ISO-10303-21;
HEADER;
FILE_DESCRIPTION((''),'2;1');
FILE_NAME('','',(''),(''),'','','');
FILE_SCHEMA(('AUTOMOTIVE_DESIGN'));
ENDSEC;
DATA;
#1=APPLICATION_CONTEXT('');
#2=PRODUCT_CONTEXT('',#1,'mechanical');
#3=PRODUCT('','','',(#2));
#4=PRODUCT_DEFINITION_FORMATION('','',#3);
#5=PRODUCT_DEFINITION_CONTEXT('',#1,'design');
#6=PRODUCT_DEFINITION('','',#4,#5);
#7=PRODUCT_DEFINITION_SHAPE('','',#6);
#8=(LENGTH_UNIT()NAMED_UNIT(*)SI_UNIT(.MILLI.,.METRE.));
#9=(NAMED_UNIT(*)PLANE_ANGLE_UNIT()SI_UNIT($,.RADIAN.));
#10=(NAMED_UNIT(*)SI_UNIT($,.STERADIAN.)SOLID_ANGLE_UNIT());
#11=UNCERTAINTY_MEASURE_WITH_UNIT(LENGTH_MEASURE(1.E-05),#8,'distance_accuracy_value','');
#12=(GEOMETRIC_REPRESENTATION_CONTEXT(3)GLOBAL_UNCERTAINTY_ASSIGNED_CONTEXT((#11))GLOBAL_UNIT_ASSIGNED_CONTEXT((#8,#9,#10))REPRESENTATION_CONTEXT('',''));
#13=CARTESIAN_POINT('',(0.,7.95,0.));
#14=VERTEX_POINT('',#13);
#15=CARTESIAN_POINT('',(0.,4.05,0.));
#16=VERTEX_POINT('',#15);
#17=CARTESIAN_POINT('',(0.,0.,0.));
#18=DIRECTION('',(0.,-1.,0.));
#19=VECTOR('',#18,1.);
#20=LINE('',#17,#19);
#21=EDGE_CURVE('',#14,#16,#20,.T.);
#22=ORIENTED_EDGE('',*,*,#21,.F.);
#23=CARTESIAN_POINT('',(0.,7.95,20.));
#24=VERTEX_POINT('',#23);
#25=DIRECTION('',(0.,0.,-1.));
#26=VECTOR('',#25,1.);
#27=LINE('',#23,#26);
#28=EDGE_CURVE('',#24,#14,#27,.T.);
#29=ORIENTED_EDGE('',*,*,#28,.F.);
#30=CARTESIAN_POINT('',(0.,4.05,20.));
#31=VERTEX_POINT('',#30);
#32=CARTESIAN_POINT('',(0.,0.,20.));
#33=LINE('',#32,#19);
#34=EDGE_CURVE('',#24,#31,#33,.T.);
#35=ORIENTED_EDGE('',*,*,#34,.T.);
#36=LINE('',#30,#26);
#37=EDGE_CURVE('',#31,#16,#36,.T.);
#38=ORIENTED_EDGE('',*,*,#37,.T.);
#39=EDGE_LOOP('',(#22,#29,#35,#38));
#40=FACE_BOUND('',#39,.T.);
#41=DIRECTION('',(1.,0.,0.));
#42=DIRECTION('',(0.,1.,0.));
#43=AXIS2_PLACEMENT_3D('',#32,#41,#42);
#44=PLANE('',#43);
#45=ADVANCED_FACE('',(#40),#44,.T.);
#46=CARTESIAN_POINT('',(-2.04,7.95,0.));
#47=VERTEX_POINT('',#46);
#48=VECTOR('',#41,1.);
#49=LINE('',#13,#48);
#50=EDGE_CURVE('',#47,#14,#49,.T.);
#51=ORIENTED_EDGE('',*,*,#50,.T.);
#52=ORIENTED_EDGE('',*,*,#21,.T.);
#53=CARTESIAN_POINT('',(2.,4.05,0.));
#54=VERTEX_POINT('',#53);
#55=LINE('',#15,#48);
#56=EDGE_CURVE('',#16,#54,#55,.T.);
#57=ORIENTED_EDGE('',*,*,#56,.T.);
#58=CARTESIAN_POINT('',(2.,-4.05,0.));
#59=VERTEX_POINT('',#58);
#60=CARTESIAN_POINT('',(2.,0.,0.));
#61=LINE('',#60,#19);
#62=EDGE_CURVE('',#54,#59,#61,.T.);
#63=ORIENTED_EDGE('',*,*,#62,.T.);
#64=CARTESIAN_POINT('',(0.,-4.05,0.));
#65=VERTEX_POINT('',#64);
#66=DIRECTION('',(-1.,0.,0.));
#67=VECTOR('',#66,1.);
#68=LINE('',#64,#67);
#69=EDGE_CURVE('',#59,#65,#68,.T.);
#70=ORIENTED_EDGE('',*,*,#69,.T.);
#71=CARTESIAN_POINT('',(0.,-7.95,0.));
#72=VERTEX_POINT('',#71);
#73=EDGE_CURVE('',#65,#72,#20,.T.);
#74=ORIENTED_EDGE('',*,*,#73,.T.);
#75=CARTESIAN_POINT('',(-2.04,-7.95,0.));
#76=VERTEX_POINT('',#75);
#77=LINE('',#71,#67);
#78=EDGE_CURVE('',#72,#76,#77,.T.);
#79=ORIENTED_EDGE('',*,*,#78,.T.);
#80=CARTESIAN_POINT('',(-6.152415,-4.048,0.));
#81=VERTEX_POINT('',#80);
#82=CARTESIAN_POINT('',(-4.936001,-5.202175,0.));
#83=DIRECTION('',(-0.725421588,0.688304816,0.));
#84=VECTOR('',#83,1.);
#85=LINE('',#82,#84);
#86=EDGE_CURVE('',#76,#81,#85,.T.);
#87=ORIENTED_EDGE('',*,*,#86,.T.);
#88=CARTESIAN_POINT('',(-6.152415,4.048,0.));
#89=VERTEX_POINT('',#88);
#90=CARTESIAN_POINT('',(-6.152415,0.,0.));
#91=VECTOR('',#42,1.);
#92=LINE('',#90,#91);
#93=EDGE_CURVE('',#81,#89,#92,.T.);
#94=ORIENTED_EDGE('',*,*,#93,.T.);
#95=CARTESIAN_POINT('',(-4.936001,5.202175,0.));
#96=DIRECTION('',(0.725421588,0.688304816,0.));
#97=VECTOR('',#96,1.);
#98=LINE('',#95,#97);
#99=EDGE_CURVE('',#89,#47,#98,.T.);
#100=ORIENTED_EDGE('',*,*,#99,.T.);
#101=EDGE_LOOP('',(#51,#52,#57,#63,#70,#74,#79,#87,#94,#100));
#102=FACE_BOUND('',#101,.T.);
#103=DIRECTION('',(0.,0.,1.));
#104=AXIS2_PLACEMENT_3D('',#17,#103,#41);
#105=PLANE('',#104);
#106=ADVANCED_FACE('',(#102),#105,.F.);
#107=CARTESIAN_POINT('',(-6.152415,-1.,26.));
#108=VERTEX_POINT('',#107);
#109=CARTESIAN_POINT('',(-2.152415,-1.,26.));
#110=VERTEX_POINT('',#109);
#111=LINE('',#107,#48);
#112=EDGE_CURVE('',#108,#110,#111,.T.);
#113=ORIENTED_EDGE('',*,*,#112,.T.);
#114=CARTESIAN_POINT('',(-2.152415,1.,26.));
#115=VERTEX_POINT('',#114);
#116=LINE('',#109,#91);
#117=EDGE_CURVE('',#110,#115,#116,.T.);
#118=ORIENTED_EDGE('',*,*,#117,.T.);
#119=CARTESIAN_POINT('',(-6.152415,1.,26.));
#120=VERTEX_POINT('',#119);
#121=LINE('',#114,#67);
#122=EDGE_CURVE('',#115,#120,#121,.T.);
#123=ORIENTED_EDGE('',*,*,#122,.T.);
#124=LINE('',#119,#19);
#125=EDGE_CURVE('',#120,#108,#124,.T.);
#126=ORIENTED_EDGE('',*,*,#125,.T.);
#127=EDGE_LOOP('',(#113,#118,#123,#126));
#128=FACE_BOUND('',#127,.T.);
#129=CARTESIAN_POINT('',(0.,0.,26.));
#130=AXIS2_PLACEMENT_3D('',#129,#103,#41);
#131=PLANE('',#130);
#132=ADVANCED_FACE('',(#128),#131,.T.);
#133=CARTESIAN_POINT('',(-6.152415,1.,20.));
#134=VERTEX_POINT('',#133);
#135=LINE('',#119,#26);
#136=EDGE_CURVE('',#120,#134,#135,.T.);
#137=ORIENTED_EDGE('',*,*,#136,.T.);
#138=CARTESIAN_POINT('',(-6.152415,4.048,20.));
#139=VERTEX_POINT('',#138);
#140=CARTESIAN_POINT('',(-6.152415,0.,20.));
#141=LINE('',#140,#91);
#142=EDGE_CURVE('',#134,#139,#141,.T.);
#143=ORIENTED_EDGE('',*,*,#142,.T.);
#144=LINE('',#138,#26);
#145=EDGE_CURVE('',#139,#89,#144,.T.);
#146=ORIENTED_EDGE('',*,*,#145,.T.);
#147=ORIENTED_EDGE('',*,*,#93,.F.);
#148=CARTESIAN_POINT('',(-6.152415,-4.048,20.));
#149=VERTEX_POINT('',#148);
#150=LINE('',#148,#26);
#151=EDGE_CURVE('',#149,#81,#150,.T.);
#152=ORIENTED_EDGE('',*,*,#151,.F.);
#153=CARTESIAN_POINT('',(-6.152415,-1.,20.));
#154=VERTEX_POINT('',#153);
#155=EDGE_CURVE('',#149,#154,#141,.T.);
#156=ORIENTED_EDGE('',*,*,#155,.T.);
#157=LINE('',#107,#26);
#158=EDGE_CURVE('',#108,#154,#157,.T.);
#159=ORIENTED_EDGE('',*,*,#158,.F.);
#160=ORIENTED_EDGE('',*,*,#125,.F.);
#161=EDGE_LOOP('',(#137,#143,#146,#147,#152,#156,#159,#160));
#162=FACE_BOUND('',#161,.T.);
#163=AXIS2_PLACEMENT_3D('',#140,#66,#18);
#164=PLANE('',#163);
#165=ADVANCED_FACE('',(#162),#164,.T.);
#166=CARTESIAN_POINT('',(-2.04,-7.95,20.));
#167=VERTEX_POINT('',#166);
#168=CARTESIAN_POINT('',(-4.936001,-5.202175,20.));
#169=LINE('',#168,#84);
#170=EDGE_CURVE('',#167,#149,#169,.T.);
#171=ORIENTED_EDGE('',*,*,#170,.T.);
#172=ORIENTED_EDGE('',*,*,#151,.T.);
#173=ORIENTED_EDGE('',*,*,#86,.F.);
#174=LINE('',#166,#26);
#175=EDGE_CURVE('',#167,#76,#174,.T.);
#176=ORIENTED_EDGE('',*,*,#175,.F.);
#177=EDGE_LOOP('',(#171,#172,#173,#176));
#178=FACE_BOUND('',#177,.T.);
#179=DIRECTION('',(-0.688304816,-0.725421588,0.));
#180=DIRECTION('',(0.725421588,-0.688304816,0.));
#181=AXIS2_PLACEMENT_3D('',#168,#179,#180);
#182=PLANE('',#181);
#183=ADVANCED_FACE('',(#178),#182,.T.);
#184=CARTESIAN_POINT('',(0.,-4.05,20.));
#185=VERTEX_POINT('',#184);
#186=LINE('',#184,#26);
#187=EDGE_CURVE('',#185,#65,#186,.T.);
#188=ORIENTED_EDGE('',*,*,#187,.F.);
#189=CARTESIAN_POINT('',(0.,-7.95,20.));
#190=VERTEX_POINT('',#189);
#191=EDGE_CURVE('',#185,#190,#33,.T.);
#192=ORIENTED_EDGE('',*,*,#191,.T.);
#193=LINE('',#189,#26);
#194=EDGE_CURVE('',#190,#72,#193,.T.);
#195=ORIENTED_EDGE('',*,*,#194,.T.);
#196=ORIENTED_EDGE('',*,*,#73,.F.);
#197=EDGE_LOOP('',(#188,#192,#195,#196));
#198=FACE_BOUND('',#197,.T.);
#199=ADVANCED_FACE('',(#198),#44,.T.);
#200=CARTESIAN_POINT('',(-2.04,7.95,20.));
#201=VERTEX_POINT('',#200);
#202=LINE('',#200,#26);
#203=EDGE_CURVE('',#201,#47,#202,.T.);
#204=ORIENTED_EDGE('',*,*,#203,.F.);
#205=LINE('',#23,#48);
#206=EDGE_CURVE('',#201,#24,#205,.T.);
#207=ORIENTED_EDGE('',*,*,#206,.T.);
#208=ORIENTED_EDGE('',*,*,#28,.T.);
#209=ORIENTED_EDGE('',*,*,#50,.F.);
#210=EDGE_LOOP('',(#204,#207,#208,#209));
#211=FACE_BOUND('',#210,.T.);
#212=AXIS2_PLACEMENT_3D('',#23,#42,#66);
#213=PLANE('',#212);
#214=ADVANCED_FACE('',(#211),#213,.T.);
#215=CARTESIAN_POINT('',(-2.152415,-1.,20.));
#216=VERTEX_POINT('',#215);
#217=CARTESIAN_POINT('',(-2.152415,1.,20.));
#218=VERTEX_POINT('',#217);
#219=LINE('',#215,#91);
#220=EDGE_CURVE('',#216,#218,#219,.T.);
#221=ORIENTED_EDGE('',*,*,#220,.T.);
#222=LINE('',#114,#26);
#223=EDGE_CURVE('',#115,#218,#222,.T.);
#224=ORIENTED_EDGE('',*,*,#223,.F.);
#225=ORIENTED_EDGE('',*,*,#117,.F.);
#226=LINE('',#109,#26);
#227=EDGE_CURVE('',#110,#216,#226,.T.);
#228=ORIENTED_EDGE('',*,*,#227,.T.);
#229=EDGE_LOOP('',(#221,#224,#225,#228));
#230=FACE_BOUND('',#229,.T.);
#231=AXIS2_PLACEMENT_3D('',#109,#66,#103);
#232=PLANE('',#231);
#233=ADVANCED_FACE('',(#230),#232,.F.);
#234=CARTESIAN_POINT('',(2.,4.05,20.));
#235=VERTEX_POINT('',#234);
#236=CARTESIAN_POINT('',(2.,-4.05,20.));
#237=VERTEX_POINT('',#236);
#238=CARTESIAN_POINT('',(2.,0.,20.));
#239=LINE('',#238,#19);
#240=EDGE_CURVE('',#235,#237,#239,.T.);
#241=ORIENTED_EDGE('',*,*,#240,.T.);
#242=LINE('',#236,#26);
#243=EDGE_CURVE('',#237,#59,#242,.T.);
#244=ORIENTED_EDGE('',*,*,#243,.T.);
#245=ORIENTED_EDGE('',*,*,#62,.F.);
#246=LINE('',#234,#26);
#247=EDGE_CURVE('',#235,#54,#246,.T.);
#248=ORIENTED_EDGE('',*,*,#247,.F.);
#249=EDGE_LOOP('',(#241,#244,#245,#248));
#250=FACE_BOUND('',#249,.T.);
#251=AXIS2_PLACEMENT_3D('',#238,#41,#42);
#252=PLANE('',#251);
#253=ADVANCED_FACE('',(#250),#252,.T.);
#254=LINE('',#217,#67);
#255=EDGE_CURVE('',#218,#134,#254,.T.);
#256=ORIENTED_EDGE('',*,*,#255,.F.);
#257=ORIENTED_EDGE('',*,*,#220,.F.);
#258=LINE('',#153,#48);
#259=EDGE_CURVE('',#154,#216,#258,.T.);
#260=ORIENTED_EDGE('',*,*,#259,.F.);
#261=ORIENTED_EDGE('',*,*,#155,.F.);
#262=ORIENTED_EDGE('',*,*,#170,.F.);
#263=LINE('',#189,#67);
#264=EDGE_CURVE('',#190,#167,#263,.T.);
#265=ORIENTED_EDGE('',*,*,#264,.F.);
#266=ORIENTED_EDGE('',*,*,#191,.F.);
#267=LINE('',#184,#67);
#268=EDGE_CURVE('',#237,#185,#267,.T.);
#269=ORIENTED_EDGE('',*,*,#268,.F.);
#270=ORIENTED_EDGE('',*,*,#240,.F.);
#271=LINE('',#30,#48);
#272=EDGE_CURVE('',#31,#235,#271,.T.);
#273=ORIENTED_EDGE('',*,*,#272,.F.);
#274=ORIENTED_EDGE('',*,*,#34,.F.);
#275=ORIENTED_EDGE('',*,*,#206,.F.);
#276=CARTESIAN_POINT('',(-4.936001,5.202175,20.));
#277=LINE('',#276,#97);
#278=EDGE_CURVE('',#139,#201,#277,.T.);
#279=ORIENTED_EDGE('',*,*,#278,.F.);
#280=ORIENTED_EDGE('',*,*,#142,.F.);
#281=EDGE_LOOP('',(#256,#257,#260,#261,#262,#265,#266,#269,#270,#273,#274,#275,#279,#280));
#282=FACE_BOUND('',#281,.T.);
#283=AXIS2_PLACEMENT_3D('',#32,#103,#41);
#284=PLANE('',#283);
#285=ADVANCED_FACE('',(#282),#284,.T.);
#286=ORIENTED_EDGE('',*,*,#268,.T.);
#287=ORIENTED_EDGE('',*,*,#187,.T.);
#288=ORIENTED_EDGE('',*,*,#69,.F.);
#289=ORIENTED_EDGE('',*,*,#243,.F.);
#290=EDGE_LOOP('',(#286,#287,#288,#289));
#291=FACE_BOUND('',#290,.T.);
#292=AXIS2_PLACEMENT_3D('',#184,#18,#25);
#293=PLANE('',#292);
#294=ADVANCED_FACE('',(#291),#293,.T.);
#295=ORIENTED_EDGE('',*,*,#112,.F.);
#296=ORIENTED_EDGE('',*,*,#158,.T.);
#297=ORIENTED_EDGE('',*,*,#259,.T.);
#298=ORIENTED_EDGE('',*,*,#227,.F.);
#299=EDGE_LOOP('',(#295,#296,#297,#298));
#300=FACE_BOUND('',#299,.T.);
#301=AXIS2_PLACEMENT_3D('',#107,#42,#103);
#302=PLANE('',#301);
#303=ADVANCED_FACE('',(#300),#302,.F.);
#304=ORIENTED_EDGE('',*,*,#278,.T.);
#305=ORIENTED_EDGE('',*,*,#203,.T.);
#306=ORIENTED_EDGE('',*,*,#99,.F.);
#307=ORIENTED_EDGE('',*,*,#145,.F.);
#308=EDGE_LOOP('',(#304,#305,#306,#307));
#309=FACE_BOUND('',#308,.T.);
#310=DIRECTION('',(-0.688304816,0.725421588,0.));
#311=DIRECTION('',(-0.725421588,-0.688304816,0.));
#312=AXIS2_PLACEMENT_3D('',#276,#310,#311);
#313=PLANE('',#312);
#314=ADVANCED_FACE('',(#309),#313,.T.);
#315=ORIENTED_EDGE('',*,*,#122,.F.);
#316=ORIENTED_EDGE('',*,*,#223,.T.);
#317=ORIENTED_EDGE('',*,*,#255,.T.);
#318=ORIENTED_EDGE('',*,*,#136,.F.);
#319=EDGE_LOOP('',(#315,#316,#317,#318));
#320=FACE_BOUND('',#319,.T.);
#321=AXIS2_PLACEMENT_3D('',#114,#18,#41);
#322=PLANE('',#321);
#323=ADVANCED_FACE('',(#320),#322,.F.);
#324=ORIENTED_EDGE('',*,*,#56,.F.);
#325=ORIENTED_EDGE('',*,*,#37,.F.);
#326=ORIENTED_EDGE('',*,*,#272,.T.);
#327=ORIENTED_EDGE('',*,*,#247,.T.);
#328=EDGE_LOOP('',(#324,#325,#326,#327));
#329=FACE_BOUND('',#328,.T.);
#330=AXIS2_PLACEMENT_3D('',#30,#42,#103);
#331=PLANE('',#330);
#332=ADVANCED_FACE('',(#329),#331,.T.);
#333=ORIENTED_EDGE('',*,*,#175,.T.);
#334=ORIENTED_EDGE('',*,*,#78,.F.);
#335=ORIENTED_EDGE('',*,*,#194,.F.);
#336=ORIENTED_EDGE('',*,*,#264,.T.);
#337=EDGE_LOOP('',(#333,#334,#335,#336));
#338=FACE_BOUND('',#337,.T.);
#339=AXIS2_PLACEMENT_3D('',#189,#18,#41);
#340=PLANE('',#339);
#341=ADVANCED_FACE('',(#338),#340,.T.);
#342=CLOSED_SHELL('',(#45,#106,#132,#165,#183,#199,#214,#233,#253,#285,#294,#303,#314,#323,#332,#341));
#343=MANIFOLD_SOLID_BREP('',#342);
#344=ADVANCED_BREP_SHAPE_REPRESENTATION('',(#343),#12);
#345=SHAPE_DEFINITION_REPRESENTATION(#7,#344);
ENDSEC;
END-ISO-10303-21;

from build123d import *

# Parameters (mm, degrees)
SKETCH2_W           = 2
SKETCH2_H           = 8.1
BOSS_EXTRUDE1_DEPTH = 20
SKETCH3_W           = 4
SKETCH3_H           = 2
BOSS_EXTRUDE2_DEPTH = 6


with BuildPart() as part:
    # Sketch2 → Boss-Extrude1 (new body)
    with BuildSketch(Plane.XY):
        Polygon((-2.04, 7.95), (0, 7.95), (0, -7.95), (-2.04, -7.95), (-6.152414984, -4.048), (-6.152414984, 4.048), align=None)
        with Locations((1, 0)):
            Rectangle(SKETCH2_W, SKETCH2_H)
    extrude(amount=BOSS_EXTRUDE1_DEPTH)

    # Sketch3 → Boss-Extrude2 (add)
    with BuildSketch(Plane.XY.offset(20)):
        with Locations((-4.152414984, 0)):
            Rectangle(SKETCH3_W, SKETCH3_H)
    extrude(amount=BOSS_EXTRUDE2_DEPTH)


solid = part.part
